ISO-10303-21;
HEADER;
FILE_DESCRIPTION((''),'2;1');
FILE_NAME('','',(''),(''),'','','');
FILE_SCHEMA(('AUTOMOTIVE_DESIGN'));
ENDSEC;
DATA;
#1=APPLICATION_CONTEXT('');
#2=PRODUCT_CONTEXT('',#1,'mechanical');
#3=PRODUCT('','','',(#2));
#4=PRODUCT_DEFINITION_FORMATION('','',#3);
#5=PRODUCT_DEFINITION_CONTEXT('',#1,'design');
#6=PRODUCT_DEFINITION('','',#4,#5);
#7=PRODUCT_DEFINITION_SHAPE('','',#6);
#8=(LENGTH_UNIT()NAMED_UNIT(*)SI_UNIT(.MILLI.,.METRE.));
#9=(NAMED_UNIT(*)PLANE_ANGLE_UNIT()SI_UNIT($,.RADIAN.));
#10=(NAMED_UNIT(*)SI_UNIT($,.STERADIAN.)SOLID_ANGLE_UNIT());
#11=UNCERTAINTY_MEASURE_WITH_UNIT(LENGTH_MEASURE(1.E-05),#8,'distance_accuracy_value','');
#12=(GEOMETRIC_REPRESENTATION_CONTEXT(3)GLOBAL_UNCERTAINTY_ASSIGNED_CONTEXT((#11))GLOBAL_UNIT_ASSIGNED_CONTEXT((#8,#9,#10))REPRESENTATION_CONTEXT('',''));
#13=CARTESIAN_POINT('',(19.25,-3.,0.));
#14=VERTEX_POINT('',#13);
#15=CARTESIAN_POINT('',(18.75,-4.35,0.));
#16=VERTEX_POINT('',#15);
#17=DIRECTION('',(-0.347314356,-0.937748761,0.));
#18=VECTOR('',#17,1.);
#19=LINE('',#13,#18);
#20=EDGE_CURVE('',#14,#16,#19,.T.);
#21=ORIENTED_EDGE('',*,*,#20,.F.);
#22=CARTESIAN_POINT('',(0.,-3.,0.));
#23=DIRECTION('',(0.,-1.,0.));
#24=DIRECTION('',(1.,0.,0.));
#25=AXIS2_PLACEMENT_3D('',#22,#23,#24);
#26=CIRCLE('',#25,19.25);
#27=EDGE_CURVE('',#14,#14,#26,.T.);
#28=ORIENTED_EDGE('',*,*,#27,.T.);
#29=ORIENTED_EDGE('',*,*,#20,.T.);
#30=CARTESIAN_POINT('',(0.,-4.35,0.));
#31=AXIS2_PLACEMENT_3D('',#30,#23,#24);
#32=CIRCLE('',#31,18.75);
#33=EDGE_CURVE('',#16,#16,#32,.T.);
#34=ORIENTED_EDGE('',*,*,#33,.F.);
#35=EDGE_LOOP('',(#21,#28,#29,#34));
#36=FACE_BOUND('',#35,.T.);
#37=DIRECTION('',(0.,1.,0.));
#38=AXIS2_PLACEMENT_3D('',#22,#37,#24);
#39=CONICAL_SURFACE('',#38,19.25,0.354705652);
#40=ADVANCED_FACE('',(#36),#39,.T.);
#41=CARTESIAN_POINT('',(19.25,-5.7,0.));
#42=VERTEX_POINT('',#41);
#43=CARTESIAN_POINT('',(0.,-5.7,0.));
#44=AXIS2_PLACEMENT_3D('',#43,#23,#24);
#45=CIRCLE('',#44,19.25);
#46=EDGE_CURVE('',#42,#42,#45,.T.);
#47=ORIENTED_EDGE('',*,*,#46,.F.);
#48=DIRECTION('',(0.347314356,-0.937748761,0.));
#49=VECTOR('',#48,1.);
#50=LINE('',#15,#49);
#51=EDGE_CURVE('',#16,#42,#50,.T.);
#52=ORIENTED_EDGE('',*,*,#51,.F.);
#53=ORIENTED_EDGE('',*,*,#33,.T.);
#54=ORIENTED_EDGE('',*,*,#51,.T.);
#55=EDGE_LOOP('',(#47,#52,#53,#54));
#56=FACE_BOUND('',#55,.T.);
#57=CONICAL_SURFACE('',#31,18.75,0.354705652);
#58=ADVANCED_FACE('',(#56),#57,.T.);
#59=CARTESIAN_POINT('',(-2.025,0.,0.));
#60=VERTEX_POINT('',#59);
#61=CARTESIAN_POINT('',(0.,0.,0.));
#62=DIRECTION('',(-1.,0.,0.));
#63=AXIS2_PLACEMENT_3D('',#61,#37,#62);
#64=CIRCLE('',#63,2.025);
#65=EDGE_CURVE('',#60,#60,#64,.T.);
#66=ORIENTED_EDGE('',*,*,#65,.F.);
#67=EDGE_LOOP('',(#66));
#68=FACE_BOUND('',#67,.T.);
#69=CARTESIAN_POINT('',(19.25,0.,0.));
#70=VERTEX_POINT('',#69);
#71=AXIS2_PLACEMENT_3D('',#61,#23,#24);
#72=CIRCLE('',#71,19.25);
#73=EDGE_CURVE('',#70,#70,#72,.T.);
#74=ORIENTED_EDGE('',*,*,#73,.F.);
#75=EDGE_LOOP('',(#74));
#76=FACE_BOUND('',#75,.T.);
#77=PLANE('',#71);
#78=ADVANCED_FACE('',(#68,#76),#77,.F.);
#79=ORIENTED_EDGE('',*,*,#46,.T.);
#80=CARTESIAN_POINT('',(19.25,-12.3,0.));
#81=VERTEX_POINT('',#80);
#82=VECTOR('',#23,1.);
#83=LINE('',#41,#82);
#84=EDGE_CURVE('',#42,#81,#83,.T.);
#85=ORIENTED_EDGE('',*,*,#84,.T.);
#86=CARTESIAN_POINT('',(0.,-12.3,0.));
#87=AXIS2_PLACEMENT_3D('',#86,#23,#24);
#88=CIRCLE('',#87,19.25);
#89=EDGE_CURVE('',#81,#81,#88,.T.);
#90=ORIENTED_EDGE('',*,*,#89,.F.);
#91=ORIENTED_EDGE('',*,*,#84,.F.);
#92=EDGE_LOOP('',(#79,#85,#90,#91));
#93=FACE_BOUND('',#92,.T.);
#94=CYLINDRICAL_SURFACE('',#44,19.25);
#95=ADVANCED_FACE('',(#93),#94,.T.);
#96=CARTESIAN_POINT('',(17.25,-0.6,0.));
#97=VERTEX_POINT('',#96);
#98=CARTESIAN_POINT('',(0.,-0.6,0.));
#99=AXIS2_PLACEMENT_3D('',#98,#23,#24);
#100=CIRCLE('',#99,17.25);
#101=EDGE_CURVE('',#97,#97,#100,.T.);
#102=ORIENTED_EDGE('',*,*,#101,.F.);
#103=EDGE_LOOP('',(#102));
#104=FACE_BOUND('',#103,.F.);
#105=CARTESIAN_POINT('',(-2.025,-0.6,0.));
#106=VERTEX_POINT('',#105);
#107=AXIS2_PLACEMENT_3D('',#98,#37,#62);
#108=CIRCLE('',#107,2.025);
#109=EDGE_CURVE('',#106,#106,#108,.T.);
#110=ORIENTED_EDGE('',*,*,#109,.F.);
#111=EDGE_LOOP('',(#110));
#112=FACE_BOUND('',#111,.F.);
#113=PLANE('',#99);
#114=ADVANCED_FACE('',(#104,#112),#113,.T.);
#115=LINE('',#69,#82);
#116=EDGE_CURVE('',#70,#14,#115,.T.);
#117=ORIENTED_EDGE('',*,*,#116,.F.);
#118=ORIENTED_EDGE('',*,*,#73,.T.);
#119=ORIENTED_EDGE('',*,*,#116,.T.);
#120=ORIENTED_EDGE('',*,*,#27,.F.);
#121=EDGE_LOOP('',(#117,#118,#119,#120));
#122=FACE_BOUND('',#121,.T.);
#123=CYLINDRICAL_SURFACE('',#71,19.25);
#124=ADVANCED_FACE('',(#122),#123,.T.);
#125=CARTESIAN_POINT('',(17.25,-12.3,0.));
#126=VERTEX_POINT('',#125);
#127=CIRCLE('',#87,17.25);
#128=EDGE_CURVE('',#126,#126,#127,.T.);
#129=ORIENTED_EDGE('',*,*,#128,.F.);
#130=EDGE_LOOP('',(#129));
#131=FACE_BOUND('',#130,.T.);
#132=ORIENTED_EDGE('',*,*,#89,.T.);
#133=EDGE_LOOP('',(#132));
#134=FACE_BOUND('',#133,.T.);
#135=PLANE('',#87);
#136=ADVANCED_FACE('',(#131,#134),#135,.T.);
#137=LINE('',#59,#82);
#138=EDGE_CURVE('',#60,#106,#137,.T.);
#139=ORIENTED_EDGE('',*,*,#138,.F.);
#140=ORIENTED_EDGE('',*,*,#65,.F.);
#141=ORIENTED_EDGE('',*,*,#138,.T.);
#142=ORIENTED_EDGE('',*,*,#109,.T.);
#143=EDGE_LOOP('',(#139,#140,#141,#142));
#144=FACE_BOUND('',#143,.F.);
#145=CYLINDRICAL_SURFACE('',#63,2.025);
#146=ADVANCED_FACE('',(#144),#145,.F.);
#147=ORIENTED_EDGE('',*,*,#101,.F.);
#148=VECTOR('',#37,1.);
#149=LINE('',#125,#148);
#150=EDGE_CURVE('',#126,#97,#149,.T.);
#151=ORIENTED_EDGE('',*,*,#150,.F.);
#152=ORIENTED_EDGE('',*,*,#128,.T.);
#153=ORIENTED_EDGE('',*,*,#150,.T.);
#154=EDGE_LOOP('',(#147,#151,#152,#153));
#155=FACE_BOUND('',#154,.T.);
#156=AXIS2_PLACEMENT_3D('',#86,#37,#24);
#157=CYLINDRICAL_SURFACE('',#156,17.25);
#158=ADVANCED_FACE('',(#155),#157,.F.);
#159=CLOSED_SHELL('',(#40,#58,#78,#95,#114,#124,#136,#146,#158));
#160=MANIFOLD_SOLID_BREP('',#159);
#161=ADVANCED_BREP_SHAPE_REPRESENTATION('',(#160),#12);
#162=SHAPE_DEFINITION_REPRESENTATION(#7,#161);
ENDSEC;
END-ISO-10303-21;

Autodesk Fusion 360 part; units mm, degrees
sketch "Sketch1" plane through (0, 0, 0) normal (0, 0, 1) x (1, 0, 0)
  line L0 (0, 0) -> (19.25, 0)
  line L1 (19.25, 0) -> (19.25, -3)
  line L2 (19.25, -3) -> (19.25, -5.7)
  line L3 (19.25, -5.7) -> (19.25, -12.3)
  line L4 (19.25, -12.3) -> (17.25, -12.3)
  line L5 (17.25, -12.3) -> (17.25, -0.6)
  line L6 (19.25, -3) -> (19.25, -4.35) construction
  line L7 (19.25, -4.35) -> (18.75, -4.35) construction
  line L8 (19.25, -3) -> (18.75, -4.35)
  line L9 (18.75, -4.35) -> (19.25, -5.7)
  line L10 (0, 0) -> (0, -0.6)
  line L11 (0, -0.6) -> (17.25, -0.6)
  dimension "d1" = 19.25
  dimension "d2" = 3
  dimension "d4" = 2.7
  dimension "d5" = 6.6
  dimension "d6" = 2
  dimension "d7" = 11.7
  dimension "d8" = 1.35
  dimension "d9" = 0.5
  dimension "d10" = 17.25
  dimension "d11" = 0.6
  dimension "d12" = 19.25
revolve "Revolve1" add sketch "Sketch1" angle 360 about axis through (0, 0, 0) along (0, -1, 0) contours L0 L1 L3 L4 L5 L8 L9 L10 L11
sketch "Sketch2" plane through (0, 0, 0) normal (0, 1, 0) x (-1, 0, 0)
  circle A0 centre (0, 0) radius 19.25
  circle A1 centre (0, 0) radius 18.825
  circle A2 centre (0, 0) radius 2.025
  dimension "d14" = 38.5
  dimension "d15" = 37.65
  dimension "d16" = 4.05
extrude "Extrude1" cut sketch "Sketch2" against normal blind 3 contours A2
equation "d15 = d14 - 0.85 mm"
